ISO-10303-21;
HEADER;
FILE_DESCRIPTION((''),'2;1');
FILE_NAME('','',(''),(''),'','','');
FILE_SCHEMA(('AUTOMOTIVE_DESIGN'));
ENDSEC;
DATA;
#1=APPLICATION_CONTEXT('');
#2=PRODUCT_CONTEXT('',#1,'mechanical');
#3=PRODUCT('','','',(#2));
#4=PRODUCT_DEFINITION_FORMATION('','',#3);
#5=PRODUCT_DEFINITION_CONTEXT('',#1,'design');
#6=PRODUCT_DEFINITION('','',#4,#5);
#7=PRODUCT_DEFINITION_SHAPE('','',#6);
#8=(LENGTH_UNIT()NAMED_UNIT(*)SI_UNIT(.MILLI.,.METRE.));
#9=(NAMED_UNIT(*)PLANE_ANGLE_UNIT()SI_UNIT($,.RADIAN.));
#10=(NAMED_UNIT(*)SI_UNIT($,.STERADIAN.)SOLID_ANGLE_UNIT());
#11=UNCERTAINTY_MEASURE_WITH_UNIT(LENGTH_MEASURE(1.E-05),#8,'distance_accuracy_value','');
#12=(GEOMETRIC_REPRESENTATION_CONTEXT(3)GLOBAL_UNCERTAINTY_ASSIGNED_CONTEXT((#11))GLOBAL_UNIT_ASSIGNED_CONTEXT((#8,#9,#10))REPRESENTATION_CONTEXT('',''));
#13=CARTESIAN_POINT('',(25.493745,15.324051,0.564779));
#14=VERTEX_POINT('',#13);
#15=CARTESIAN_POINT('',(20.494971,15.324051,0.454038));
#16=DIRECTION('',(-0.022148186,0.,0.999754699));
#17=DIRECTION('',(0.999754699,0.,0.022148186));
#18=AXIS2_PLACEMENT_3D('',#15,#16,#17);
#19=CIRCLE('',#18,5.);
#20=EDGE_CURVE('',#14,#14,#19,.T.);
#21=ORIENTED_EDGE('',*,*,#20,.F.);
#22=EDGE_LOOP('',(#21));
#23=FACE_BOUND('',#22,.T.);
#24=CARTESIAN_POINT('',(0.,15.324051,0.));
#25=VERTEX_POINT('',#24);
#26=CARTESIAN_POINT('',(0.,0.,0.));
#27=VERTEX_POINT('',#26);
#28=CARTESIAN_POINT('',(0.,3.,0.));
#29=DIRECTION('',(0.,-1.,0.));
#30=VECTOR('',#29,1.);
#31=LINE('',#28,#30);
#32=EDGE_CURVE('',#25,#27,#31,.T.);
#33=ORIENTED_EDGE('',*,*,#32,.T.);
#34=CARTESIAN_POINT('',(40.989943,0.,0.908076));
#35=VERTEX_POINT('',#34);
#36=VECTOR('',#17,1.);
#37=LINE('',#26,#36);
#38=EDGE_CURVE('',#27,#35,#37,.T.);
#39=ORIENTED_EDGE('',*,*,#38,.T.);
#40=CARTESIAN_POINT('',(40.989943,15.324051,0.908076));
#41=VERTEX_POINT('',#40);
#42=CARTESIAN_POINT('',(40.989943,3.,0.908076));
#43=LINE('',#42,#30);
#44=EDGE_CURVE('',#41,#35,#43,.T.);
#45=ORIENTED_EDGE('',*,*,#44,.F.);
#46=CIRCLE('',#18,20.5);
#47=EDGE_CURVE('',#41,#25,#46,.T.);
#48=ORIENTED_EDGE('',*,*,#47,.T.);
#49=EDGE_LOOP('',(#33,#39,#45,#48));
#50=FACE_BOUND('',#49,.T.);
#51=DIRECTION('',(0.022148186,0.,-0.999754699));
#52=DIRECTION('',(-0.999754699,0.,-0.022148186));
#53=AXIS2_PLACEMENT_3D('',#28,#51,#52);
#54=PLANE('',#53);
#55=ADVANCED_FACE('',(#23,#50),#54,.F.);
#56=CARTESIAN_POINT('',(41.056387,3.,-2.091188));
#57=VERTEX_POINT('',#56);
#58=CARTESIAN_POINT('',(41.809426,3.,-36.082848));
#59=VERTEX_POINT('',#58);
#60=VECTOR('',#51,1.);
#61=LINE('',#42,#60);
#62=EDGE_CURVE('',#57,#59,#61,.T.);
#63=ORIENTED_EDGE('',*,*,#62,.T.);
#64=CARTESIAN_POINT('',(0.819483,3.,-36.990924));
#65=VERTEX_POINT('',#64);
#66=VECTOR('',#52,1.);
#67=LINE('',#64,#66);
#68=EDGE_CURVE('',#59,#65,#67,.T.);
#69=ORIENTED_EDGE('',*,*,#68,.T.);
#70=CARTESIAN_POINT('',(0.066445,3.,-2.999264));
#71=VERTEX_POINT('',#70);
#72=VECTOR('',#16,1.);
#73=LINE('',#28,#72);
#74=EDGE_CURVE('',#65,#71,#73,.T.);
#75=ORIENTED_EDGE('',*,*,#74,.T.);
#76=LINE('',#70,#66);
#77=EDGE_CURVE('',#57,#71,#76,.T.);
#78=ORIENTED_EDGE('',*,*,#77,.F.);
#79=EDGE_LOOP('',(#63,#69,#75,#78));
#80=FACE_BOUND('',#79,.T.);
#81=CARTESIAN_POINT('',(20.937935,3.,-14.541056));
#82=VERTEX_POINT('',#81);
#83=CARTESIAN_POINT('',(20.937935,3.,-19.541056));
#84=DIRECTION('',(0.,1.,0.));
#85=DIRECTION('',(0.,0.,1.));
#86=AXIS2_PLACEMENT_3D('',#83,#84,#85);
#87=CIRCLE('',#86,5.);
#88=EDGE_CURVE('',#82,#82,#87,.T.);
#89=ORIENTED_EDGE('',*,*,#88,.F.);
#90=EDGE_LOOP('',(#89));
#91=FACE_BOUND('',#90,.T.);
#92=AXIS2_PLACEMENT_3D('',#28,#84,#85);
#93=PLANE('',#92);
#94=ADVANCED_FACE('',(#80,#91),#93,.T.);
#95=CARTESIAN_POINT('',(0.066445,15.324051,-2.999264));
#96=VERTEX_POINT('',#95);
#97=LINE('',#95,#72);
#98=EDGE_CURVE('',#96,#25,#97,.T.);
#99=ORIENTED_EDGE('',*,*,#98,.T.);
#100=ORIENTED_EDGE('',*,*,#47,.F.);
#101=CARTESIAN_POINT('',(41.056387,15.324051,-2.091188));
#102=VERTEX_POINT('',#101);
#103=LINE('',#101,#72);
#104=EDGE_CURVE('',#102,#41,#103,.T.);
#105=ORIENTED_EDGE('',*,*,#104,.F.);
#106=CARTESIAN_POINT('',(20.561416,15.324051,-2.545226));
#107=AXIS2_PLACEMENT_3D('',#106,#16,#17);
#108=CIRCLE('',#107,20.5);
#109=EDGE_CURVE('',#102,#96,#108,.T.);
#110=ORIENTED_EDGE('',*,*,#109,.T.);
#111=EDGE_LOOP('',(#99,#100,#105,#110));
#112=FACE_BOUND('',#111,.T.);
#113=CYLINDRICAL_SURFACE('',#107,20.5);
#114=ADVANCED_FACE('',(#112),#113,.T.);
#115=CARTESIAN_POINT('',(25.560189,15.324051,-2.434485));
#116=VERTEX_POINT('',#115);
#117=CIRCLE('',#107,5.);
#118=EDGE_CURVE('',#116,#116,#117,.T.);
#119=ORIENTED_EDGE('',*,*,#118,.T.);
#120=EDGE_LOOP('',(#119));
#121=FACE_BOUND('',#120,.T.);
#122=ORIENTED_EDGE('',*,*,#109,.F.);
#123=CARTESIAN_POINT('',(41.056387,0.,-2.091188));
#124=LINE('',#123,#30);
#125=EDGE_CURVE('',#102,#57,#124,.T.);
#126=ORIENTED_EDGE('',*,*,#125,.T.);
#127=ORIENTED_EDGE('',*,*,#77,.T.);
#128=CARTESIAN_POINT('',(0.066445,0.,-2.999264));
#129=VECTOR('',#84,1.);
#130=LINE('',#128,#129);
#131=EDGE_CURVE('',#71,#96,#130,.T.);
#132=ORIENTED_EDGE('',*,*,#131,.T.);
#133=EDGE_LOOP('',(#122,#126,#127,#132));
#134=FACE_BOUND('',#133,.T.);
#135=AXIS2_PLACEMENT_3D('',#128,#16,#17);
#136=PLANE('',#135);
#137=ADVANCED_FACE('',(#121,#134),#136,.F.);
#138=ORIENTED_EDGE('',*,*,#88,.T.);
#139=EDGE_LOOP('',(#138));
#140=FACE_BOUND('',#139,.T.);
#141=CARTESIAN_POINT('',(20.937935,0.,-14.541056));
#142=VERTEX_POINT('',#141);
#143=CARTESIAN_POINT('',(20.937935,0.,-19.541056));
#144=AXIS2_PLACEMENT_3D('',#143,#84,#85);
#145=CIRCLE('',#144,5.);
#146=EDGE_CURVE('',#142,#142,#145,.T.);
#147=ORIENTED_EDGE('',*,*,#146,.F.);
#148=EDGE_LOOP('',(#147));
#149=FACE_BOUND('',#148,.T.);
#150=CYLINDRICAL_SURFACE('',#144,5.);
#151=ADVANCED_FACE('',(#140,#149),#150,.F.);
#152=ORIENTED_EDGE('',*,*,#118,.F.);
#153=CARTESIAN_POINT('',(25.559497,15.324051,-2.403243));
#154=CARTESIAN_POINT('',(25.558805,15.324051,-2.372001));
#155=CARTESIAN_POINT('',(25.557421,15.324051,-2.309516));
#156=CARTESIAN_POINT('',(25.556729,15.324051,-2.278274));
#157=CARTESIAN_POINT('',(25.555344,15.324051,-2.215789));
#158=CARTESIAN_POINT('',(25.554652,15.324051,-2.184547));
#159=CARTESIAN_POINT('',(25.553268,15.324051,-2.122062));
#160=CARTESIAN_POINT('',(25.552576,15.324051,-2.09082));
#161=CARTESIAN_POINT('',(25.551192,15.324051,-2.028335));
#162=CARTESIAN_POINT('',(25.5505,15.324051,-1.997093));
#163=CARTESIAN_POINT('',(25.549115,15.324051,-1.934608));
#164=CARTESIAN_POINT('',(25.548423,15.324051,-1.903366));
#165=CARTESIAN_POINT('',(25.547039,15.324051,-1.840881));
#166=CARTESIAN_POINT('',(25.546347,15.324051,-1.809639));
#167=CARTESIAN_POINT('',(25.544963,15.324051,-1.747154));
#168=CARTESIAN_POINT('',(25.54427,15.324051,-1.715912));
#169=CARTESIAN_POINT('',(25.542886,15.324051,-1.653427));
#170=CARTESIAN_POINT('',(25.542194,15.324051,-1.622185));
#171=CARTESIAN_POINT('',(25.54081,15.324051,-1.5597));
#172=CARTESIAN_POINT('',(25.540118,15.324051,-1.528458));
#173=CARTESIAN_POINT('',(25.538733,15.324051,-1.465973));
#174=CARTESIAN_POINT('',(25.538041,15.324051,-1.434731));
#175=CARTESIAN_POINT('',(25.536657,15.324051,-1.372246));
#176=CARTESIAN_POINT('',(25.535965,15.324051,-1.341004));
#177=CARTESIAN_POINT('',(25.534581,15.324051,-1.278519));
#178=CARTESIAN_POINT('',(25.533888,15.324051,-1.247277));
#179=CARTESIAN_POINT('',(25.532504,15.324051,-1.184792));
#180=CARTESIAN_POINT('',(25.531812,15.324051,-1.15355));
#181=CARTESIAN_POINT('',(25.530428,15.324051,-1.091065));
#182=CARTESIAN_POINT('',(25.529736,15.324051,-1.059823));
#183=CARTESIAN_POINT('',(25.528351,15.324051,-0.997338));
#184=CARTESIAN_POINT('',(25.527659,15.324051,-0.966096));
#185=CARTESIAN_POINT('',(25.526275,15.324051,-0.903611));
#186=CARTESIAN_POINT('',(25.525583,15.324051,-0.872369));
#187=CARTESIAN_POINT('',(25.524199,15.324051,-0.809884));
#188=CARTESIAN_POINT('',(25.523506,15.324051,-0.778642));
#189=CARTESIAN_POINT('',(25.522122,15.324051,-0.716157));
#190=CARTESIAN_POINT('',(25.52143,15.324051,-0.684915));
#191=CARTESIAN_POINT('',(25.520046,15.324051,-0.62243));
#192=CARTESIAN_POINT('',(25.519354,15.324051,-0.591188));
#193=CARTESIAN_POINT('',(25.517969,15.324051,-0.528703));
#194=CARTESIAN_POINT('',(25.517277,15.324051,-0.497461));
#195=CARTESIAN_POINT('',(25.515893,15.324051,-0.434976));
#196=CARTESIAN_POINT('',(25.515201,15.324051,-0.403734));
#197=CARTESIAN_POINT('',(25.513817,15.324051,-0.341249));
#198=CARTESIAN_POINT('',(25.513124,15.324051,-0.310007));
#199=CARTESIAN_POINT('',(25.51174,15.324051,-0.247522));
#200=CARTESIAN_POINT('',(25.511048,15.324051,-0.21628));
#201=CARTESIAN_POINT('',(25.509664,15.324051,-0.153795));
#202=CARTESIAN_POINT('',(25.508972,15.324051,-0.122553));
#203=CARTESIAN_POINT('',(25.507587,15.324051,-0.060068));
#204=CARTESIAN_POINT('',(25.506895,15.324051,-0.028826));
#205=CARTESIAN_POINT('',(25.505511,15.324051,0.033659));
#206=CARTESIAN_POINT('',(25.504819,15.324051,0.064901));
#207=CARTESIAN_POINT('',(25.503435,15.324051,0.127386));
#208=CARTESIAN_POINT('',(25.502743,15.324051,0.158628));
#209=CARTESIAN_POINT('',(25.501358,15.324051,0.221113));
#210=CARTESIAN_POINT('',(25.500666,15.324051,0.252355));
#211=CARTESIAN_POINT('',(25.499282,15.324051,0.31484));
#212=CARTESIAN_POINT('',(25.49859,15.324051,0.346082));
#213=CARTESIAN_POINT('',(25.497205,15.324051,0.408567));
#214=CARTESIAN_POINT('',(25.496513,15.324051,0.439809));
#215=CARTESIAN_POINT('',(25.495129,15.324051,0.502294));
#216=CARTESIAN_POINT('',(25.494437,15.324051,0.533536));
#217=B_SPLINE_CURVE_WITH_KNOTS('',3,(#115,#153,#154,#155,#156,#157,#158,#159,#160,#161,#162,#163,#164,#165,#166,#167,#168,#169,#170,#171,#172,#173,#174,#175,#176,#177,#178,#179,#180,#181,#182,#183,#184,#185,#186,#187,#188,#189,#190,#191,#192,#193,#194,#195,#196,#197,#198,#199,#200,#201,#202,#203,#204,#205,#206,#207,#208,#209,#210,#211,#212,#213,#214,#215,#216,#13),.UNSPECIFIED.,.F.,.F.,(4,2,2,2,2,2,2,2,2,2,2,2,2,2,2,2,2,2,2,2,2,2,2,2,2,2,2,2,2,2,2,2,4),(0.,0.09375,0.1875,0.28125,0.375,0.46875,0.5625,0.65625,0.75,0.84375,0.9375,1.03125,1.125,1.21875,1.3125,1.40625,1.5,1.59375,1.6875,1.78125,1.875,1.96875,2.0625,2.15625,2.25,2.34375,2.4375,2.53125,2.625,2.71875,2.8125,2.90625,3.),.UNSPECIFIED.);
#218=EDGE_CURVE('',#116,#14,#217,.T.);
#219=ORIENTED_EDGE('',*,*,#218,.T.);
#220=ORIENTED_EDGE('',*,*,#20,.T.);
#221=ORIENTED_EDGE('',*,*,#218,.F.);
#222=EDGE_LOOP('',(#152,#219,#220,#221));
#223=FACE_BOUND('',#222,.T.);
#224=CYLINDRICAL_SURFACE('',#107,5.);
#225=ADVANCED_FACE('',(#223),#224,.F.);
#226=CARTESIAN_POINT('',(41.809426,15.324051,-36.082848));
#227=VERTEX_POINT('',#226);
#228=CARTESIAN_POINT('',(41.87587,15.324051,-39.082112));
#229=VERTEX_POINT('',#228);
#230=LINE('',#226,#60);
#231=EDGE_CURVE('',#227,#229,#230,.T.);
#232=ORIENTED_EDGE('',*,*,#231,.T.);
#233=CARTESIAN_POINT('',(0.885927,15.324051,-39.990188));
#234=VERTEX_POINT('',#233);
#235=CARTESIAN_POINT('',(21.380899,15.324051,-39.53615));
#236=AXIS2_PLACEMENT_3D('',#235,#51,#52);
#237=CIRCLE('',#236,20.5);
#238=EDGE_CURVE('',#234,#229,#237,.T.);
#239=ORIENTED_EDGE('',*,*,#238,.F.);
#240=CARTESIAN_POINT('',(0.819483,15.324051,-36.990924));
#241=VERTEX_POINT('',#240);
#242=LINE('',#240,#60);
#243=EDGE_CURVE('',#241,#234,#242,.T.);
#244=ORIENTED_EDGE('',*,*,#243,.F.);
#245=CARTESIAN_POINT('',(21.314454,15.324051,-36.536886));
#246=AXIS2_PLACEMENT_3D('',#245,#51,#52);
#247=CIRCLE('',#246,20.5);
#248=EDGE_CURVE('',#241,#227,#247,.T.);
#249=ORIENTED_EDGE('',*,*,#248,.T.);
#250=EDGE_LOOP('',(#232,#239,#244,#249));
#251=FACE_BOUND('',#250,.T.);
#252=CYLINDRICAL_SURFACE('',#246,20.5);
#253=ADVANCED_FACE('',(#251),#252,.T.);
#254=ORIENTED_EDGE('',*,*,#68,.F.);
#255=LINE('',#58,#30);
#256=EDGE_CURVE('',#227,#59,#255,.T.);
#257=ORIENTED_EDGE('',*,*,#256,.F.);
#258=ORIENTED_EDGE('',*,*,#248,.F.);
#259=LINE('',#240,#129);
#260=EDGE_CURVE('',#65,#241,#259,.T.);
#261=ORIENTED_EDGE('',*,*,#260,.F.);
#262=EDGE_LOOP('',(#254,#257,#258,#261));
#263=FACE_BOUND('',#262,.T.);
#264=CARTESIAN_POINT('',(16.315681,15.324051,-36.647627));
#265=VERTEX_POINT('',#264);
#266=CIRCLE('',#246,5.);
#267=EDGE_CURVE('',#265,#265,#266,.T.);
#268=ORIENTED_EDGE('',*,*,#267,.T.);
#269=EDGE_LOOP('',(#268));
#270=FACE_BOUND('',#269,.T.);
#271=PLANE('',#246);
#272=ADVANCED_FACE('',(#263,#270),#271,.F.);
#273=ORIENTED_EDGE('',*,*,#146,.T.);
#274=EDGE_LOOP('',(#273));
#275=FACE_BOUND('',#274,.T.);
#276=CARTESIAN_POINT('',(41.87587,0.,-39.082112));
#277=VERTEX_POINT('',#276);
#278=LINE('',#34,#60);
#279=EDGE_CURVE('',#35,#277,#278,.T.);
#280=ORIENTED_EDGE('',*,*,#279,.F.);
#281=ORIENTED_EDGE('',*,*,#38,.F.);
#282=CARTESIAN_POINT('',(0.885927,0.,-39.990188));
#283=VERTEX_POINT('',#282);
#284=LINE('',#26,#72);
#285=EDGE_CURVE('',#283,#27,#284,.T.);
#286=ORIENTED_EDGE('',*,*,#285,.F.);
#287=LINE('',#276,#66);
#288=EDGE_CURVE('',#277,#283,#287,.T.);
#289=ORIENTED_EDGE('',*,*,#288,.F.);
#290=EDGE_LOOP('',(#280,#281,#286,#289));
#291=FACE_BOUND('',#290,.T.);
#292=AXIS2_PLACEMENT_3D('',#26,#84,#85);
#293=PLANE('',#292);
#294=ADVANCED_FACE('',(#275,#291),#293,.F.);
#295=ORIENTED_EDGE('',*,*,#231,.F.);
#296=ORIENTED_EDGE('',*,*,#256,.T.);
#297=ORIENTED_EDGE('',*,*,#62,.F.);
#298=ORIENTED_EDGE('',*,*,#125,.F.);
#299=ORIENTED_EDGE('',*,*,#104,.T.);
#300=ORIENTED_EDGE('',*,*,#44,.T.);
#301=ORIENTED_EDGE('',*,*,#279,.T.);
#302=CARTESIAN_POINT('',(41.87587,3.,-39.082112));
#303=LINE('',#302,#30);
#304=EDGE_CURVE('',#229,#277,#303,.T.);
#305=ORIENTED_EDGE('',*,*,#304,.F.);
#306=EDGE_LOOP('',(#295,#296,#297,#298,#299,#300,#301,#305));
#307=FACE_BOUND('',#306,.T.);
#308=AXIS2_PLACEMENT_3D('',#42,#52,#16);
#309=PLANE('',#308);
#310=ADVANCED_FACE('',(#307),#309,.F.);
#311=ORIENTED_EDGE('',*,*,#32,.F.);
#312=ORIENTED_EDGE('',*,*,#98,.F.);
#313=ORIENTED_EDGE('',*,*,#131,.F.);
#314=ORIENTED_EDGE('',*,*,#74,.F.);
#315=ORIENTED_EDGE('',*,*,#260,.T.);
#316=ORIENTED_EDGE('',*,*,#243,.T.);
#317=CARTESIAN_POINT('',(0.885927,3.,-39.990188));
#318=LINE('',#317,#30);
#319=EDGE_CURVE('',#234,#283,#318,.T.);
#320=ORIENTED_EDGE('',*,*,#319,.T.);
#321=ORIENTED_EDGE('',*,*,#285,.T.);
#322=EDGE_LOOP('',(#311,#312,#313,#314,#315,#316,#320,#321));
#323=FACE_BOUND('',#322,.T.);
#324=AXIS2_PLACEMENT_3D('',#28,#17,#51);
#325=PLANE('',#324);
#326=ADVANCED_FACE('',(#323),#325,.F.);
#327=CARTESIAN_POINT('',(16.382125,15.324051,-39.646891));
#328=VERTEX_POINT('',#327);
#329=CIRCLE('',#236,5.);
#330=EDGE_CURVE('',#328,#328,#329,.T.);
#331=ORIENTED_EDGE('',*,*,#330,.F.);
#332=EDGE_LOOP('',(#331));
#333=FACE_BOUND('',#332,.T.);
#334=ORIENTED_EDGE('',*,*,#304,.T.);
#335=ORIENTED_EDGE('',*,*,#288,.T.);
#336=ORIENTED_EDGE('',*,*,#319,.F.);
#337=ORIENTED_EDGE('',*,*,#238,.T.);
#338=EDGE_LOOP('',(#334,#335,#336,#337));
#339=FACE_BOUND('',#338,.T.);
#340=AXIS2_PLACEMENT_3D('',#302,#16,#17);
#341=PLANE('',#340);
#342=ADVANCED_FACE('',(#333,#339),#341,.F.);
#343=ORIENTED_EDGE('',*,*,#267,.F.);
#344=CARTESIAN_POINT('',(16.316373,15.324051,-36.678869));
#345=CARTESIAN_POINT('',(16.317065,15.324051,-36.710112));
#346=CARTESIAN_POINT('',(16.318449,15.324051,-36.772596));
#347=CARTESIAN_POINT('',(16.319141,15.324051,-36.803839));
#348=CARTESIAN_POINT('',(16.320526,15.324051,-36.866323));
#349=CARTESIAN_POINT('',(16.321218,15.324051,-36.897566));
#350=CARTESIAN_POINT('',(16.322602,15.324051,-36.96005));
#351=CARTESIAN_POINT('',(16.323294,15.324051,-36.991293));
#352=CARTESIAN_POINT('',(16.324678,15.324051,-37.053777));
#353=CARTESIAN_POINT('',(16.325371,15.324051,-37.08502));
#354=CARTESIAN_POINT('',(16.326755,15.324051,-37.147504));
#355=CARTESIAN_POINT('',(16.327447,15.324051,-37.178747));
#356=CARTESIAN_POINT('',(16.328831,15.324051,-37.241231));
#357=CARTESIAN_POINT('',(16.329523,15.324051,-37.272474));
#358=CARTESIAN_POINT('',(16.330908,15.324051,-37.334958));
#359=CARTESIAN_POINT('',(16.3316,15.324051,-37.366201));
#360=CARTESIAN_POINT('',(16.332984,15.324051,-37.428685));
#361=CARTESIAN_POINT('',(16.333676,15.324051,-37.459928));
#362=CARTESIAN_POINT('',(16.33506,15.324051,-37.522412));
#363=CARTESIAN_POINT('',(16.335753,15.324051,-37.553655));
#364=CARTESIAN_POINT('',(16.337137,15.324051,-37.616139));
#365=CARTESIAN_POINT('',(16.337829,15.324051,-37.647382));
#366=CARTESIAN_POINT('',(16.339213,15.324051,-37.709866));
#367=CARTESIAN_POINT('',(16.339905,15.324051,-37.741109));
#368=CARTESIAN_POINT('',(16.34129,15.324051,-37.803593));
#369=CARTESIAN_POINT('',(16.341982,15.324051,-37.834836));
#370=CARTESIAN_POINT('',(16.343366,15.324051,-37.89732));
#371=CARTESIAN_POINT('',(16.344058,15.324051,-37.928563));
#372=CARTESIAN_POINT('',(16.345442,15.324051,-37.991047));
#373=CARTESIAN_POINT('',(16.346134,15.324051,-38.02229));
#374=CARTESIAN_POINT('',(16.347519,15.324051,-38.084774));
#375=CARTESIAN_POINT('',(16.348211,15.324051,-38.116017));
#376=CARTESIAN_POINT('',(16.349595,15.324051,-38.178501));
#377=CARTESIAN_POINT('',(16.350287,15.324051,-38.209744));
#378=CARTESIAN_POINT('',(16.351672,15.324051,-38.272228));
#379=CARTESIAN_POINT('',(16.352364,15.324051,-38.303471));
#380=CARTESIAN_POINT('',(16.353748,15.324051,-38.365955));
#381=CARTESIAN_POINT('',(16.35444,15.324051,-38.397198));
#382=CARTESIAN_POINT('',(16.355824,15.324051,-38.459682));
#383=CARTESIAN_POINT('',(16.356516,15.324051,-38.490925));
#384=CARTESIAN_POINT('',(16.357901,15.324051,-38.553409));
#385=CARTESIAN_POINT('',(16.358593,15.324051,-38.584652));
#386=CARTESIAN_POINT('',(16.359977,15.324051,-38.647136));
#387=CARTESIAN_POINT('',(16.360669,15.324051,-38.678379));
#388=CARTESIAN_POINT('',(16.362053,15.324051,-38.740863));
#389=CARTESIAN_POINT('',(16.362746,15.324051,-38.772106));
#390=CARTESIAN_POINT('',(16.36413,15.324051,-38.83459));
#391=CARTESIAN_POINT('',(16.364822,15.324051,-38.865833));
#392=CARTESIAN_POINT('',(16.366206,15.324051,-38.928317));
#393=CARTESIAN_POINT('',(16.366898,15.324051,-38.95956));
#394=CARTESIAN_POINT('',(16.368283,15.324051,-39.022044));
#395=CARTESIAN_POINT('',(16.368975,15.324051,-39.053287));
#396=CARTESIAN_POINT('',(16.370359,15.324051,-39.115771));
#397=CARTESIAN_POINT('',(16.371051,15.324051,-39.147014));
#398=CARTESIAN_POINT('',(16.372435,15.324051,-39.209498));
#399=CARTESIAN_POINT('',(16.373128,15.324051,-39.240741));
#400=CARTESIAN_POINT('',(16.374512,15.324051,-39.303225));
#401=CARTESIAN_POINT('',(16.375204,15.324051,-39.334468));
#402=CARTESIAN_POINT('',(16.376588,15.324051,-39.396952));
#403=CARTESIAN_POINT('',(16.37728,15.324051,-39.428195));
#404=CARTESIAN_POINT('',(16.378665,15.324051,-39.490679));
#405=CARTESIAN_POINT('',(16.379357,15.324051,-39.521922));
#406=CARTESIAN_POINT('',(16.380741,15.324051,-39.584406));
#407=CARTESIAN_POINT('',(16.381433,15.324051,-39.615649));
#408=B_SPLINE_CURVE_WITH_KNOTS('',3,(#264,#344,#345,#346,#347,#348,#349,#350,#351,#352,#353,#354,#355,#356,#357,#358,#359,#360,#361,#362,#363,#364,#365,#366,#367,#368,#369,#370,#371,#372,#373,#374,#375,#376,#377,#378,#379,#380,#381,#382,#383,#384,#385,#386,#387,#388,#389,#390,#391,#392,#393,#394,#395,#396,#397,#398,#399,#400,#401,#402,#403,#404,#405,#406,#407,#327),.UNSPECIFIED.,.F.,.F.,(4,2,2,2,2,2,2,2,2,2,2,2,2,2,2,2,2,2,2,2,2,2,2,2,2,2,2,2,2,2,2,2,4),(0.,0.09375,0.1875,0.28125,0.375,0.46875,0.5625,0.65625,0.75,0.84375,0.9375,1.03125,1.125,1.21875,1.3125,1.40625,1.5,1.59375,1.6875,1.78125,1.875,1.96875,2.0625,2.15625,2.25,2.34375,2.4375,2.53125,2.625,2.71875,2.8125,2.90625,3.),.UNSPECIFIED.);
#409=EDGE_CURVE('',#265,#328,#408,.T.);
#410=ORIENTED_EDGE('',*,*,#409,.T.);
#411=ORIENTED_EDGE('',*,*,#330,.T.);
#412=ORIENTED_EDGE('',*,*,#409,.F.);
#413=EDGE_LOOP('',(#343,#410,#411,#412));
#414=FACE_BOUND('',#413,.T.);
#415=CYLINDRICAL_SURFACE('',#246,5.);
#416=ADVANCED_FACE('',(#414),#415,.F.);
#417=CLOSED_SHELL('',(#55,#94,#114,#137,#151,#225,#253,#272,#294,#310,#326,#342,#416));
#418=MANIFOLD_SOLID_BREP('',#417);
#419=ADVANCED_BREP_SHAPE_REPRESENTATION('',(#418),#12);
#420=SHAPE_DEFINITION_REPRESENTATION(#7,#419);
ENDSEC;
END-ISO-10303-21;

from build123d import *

# Parameters (mm, degrees)
BOSS_EXTRUDE1_DEPTH = 3
SKETCH2_R           = 5
CUT_EXTRUDE1_DEPTH  = 3
SKETCH4_R           = 5
BOSS_EXTRUDE2_DEPTH = 3
BOSS_EXTRUDE3_START = -3
SKETCH5_R           = 5
BOSS_EXTRUDE3_DEPTH = 3


with BuildPart() as part:
    # Sketch1 → Boss-Extrude1 (new body)
    with BuildSketch(Plane(origin=(0, 0, 0), x_dir=(1, 0, 0), z_dir=(0, 1, 0))):
        Polygon((0, 0), (40.989942652, -0.908075633), (41.875870099, 39.082112321), (0.885927446, 39.990187954), align=None)
    extrude(amount=BOSS_EXTRUDE1_DEPTH)

    # Sketch2 → Cut-Extrude1 (cut)
    with BuildSketch(Plane(origin=(0, 3, 0), x_dir=(1, 0, 0), z_dir=(0, 1, 0))):
        with Locations(Location((20.937935049, 19.54105616, 0), (0, 0, 270))):
            Circle(SKETCH2_R)
    extrude(amount=-CUT_EXTRUDE1_DEPTH, mode=Mode.SUBTRACT)

    # Sketch4 → Boss-Extrude2 (add)
    with BuildSketch(Plane(origin=(0, 0, 0), x_dir=(0.9997546988385365, 0, 0.022148186162014694), z_dir=(-0.02214818616201469, 0, 0.9997546988385364))):
        with BuildLine():
            Line((41, 15.324050928), (41, 3))
            Line((41, 3), (0, 3))
            Line((0, 3), (0, 15.324050928))
            ThreePointArc((0, 15.324050928), (20.5, 35.824050928), (41, 15.324050928))
        make_face()
        with Locations((20.5, 15.324050928)):
            Circle(SKETCH4_R, mode=Mode.SUBTRACT)
    extrude(amount=-BOSS_EXTRUDE2_DEPTH)

    # Sketch5 → Boss-Extrude3 (add)
    with BuildSketch(Plane(origin=(0.885927446, 0, -39.990187954), x_dir=(-0.9997546988385365, 0, -0.022148186162014458), z_dir=(0.022148186162014454, 0, -0.9997546988385364)).offset(BOSS_EXTRUDE3_START)):
        with BuildLine():
            Line((-41, 3), (-41, 15.324050928))
            ThreePointArc((-41, 15.324050928), (-20.5, 35.824050928), (0, 15.324050928))
            Line((0, 15.324050928), (0, 3))
            Line((0, 3), (-41, 3))
        make_face()
        with Locations(Location((-20.5, 15.324050928, 0), (0, 0, 180))):
            Circle(SKETCH5_R, mode=Mode.SUBTRACT)
    extrude(amount=BOSS_EXTRUDE3_DEPTH)


solid = part.part
